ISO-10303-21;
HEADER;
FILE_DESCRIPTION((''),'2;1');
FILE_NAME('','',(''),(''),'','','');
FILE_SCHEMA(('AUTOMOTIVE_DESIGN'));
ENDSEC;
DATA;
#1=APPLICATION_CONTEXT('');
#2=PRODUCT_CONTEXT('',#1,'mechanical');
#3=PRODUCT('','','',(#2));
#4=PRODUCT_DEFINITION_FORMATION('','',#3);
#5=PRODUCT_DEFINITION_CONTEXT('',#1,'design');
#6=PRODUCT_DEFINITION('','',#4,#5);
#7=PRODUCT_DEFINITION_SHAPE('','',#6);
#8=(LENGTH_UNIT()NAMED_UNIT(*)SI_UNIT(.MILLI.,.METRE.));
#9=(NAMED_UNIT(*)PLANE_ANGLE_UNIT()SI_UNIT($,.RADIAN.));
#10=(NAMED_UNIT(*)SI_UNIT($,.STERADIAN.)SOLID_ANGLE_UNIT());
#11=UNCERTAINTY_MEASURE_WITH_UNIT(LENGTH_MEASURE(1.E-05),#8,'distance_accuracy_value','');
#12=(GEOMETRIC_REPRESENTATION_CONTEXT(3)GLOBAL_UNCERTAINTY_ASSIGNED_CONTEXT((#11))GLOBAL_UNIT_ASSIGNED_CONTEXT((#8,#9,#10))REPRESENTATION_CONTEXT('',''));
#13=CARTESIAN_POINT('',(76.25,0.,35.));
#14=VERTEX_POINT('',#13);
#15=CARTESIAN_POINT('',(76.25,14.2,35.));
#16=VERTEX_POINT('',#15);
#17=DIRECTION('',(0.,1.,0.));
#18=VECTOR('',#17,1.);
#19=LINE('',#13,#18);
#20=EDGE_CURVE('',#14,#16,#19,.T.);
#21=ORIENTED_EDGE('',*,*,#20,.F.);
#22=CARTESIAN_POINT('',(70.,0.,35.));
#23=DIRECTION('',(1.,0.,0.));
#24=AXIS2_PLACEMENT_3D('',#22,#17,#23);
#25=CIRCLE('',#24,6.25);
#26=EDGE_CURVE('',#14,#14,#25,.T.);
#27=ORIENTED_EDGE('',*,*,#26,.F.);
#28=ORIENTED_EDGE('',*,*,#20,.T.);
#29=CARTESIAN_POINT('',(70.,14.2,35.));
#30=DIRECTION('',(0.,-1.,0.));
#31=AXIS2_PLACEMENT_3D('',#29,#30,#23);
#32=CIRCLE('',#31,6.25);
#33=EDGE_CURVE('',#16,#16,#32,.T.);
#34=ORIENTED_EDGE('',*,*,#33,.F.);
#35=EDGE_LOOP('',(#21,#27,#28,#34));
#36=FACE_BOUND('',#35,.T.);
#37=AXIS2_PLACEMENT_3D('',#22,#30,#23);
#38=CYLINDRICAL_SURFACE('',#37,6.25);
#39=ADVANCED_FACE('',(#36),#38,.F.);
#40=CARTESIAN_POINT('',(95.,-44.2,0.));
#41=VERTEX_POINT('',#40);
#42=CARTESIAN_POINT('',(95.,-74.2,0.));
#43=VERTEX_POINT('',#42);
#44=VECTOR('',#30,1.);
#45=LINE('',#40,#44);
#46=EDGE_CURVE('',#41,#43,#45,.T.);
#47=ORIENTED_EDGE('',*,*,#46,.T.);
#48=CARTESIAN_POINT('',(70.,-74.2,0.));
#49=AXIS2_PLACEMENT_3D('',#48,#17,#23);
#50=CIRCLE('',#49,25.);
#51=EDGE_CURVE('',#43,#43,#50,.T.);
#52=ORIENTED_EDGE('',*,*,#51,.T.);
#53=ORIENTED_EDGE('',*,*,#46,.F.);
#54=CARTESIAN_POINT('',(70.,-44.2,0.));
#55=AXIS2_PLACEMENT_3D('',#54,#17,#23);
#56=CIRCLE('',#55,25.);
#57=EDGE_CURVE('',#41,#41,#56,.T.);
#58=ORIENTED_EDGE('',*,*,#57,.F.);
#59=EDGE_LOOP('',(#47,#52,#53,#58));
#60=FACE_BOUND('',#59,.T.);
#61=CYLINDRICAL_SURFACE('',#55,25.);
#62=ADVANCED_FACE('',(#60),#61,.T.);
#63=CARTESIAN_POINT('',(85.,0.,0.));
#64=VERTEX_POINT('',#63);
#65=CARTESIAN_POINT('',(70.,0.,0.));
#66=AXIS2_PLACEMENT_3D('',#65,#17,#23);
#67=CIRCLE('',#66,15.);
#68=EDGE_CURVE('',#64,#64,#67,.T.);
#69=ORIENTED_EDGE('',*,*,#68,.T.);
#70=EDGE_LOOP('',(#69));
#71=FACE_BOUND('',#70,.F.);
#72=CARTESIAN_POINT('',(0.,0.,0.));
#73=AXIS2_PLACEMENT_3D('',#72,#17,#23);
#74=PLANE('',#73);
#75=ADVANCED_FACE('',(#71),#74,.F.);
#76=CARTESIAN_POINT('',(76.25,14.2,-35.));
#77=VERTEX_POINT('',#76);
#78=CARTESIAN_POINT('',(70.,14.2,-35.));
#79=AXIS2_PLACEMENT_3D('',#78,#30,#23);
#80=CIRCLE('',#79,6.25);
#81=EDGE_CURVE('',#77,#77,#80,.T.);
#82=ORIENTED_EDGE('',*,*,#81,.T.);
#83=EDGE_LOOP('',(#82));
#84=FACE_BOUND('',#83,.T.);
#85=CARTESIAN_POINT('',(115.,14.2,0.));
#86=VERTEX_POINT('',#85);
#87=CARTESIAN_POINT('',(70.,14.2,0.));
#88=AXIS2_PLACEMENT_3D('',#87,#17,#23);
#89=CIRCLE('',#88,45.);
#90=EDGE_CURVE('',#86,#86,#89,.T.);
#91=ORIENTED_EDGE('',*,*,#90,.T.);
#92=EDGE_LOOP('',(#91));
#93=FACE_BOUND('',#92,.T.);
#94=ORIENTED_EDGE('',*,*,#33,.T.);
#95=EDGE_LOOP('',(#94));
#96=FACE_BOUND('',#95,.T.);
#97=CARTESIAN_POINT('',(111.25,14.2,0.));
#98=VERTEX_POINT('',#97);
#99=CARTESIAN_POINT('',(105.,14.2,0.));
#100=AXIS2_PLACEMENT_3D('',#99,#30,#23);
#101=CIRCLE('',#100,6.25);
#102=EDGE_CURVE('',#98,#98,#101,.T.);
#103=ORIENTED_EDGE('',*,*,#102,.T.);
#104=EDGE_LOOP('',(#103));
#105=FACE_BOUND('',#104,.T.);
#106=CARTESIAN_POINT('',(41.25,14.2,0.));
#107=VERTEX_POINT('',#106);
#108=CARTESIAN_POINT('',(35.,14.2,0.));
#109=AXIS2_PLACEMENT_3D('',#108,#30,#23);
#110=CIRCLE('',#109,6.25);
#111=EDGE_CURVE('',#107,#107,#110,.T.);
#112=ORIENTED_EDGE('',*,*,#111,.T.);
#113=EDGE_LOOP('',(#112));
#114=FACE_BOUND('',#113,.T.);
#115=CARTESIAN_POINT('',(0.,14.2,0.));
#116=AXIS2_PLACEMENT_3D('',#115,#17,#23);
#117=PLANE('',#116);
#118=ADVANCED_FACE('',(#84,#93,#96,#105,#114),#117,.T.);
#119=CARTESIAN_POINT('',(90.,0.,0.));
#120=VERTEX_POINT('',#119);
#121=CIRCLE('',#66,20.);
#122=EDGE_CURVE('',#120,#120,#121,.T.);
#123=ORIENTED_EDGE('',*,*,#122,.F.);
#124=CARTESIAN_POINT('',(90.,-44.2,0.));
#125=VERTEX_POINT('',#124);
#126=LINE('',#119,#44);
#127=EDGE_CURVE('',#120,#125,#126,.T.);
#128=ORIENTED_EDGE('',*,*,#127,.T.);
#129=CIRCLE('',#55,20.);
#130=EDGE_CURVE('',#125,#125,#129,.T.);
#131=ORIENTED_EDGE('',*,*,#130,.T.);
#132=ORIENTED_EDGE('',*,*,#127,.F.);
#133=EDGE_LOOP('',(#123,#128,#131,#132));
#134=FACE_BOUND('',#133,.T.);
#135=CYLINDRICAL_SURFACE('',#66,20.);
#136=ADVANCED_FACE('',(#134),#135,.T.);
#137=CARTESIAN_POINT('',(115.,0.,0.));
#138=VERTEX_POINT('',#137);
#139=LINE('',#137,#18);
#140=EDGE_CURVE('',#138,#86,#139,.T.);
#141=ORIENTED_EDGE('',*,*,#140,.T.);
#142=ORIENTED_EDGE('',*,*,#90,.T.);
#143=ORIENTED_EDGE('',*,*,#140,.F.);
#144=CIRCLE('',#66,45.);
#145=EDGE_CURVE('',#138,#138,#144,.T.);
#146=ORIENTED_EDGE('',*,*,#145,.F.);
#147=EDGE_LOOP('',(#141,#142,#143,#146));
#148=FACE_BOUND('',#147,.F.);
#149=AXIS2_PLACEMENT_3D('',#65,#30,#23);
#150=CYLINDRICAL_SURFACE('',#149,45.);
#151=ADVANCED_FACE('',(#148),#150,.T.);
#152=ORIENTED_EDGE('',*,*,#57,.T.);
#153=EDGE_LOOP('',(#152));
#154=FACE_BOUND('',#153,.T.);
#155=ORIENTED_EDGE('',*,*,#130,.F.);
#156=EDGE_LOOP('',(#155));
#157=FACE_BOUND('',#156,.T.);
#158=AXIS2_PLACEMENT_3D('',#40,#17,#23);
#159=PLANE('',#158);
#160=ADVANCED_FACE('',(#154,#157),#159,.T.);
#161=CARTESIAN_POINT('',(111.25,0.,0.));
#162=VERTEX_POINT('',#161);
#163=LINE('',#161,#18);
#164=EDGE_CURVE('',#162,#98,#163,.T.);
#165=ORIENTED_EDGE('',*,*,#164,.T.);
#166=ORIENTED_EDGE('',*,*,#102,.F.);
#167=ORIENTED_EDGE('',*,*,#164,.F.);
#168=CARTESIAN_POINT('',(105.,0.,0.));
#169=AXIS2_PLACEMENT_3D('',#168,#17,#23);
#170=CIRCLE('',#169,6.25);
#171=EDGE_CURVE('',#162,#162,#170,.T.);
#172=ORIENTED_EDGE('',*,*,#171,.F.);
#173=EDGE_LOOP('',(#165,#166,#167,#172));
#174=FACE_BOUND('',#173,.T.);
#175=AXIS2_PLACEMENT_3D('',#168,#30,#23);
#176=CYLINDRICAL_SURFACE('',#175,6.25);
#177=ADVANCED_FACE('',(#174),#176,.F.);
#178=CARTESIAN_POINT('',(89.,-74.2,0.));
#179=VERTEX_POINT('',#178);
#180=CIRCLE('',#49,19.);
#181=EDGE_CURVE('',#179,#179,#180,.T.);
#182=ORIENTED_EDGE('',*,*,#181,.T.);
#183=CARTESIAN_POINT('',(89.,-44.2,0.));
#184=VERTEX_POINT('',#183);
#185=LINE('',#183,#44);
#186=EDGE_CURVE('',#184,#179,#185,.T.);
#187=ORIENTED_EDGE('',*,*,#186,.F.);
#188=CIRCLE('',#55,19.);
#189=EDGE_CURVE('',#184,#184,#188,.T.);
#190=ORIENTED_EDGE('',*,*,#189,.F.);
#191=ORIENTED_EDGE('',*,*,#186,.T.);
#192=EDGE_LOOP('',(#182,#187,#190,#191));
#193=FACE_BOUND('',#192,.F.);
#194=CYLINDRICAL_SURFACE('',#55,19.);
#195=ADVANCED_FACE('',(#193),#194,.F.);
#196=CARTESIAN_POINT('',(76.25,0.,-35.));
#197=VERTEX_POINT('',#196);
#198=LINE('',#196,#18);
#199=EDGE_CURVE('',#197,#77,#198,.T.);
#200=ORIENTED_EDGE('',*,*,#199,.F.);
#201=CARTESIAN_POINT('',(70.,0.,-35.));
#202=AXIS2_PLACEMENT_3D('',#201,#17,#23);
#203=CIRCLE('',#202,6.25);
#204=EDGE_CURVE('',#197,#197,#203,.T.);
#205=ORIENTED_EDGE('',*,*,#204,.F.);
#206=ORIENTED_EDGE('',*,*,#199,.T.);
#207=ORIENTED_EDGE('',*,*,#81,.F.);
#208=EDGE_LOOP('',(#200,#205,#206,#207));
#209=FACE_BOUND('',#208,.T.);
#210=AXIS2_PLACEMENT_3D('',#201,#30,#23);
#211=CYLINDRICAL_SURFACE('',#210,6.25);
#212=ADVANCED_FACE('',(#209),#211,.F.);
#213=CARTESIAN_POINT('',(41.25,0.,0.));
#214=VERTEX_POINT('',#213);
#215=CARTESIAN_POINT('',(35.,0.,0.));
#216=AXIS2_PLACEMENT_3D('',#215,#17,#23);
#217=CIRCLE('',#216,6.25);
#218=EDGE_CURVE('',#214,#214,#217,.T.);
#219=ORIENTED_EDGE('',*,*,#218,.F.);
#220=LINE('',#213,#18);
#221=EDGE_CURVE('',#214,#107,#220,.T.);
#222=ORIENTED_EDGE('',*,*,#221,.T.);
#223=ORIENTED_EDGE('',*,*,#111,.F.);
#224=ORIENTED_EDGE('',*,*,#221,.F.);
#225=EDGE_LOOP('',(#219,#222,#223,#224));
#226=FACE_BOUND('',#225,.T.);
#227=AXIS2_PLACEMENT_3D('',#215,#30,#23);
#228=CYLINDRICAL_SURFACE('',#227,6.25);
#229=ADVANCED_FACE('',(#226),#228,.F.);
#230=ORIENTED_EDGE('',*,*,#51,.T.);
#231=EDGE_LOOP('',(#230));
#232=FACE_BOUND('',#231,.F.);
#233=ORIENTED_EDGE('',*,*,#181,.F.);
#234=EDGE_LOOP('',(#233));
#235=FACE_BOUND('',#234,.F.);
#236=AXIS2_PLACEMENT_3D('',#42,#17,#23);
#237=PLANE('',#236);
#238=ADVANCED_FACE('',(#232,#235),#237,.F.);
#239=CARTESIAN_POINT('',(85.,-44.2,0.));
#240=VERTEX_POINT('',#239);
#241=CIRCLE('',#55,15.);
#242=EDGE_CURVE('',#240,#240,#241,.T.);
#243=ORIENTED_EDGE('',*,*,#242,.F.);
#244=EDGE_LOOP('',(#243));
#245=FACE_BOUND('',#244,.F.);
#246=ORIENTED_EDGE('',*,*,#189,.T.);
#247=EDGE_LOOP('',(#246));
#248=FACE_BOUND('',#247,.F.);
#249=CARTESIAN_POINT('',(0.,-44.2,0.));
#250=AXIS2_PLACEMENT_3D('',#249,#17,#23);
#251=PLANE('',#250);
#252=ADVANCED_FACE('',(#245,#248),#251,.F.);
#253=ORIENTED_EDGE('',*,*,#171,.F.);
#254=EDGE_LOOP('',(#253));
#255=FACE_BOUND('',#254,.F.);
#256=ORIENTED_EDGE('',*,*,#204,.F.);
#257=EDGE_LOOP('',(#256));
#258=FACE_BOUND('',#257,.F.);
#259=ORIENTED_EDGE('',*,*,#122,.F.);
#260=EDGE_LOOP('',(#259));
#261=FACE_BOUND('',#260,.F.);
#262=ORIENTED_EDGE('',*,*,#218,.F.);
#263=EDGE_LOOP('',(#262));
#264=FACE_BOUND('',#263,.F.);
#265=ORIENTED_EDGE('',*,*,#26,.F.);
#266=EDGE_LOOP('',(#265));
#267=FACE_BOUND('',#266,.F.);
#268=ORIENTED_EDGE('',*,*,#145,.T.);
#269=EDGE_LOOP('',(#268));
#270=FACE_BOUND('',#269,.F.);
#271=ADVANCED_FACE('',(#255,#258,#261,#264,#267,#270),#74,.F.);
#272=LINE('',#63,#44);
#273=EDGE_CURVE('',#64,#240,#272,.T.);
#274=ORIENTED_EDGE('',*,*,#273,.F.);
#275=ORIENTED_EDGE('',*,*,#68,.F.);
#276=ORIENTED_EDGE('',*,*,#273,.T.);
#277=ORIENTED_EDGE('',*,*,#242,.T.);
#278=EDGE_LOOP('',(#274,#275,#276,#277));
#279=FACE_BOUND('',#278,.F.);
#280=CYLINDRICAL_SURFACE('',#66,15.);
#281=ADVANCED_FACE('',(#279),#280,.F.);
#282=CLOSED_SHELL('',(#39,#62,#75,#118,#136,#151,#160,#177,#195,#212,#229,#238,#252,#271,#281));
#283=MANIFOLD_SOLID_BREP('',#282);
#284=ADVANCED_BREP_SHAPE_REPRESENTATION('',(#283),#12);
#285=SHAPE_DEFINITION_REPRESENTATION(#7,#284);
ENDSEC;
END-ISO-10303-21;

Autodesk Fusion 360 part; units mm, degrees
sketch "Boceto1" plane through (0, 0, 0) normal (0, 1, 0) x (1, 0, 0)
  circle A0 centre (70, 0) radius 45
extrude "Extruir2" add sketch "Boceto1" along normal blind 14.2 makes body 1
sketch "Boceto2" plane through (0, 0, 0) normal (0, 1, 0) x (1, 0, 0)
  circle A0 centre (70, -35) radius 6.25
  circle A1 centre (35, 0) radius 6.25
  circle A2 centre (70, 35) radius 6.25
  circle A3 centre (105, 0) radius 6.25
extrude "Extruir3" cut sketch "Boceto2" along normal blind 15 bodies 1
sketch "Boceto3" plane through (0, 0, 0) normal (0, 1, 0) x (1, 0, 0)
  circle A0 centre (70, 0) radius 19
  circle A1 centre (70, 0) radius 24
  line L0 (70, -45) -> (70, -24)
  line L1 (70, -19) -> (70, 19)
  line L2 (70, 24) -> (70, 45)
  line L3 (25, 0) -> (46, 0)
  line L4 (51, 0) -> (89, 0)
  line L5 (94, 0) -> (115, 0)
extrude "Extruir5" add sketch "Boceto3" against normal blind 44.2 bodies 1
sketch "Boceto7" plane through (0, 0, 0) normal (0, 1, 0) x (1, 0, 0)
  circle A0 centre (-25, 0) radius 25
  circle A1 centre (-25, 0) radius 19
extrude "Extruir6" add sketch "Boceto7" against normal blind 30 separate body makes body 2
delete_face "SuprimirCaras2" 1 faces at (93.8807, -29.4667, 2.3896) on bodies 1
sketch "Boceto8" plane through (0, 0, 0) normal (0, 1, 0) x (1, 0, 0)
  circle A0 centre (70, 0) radius 15
  circle A1 centre (70, 0) radius 20
extrude "Extruir7" add sketch "Boceto8" against normal blind 44.2 bodies 1
move_body "Alinear1" bodies 2 to x (1, 0, 0) y (0, 1, 0) z (0, 0, 1) at (95, -14.2, 0)
move_body "Desplazar1" bodies 2 to x (1, 0, 0) y (0, 1, 0) z (0, 0, 1) at (0, -30, 0)
combine "Combinar1" operation add target body 1 tool bodies 2
